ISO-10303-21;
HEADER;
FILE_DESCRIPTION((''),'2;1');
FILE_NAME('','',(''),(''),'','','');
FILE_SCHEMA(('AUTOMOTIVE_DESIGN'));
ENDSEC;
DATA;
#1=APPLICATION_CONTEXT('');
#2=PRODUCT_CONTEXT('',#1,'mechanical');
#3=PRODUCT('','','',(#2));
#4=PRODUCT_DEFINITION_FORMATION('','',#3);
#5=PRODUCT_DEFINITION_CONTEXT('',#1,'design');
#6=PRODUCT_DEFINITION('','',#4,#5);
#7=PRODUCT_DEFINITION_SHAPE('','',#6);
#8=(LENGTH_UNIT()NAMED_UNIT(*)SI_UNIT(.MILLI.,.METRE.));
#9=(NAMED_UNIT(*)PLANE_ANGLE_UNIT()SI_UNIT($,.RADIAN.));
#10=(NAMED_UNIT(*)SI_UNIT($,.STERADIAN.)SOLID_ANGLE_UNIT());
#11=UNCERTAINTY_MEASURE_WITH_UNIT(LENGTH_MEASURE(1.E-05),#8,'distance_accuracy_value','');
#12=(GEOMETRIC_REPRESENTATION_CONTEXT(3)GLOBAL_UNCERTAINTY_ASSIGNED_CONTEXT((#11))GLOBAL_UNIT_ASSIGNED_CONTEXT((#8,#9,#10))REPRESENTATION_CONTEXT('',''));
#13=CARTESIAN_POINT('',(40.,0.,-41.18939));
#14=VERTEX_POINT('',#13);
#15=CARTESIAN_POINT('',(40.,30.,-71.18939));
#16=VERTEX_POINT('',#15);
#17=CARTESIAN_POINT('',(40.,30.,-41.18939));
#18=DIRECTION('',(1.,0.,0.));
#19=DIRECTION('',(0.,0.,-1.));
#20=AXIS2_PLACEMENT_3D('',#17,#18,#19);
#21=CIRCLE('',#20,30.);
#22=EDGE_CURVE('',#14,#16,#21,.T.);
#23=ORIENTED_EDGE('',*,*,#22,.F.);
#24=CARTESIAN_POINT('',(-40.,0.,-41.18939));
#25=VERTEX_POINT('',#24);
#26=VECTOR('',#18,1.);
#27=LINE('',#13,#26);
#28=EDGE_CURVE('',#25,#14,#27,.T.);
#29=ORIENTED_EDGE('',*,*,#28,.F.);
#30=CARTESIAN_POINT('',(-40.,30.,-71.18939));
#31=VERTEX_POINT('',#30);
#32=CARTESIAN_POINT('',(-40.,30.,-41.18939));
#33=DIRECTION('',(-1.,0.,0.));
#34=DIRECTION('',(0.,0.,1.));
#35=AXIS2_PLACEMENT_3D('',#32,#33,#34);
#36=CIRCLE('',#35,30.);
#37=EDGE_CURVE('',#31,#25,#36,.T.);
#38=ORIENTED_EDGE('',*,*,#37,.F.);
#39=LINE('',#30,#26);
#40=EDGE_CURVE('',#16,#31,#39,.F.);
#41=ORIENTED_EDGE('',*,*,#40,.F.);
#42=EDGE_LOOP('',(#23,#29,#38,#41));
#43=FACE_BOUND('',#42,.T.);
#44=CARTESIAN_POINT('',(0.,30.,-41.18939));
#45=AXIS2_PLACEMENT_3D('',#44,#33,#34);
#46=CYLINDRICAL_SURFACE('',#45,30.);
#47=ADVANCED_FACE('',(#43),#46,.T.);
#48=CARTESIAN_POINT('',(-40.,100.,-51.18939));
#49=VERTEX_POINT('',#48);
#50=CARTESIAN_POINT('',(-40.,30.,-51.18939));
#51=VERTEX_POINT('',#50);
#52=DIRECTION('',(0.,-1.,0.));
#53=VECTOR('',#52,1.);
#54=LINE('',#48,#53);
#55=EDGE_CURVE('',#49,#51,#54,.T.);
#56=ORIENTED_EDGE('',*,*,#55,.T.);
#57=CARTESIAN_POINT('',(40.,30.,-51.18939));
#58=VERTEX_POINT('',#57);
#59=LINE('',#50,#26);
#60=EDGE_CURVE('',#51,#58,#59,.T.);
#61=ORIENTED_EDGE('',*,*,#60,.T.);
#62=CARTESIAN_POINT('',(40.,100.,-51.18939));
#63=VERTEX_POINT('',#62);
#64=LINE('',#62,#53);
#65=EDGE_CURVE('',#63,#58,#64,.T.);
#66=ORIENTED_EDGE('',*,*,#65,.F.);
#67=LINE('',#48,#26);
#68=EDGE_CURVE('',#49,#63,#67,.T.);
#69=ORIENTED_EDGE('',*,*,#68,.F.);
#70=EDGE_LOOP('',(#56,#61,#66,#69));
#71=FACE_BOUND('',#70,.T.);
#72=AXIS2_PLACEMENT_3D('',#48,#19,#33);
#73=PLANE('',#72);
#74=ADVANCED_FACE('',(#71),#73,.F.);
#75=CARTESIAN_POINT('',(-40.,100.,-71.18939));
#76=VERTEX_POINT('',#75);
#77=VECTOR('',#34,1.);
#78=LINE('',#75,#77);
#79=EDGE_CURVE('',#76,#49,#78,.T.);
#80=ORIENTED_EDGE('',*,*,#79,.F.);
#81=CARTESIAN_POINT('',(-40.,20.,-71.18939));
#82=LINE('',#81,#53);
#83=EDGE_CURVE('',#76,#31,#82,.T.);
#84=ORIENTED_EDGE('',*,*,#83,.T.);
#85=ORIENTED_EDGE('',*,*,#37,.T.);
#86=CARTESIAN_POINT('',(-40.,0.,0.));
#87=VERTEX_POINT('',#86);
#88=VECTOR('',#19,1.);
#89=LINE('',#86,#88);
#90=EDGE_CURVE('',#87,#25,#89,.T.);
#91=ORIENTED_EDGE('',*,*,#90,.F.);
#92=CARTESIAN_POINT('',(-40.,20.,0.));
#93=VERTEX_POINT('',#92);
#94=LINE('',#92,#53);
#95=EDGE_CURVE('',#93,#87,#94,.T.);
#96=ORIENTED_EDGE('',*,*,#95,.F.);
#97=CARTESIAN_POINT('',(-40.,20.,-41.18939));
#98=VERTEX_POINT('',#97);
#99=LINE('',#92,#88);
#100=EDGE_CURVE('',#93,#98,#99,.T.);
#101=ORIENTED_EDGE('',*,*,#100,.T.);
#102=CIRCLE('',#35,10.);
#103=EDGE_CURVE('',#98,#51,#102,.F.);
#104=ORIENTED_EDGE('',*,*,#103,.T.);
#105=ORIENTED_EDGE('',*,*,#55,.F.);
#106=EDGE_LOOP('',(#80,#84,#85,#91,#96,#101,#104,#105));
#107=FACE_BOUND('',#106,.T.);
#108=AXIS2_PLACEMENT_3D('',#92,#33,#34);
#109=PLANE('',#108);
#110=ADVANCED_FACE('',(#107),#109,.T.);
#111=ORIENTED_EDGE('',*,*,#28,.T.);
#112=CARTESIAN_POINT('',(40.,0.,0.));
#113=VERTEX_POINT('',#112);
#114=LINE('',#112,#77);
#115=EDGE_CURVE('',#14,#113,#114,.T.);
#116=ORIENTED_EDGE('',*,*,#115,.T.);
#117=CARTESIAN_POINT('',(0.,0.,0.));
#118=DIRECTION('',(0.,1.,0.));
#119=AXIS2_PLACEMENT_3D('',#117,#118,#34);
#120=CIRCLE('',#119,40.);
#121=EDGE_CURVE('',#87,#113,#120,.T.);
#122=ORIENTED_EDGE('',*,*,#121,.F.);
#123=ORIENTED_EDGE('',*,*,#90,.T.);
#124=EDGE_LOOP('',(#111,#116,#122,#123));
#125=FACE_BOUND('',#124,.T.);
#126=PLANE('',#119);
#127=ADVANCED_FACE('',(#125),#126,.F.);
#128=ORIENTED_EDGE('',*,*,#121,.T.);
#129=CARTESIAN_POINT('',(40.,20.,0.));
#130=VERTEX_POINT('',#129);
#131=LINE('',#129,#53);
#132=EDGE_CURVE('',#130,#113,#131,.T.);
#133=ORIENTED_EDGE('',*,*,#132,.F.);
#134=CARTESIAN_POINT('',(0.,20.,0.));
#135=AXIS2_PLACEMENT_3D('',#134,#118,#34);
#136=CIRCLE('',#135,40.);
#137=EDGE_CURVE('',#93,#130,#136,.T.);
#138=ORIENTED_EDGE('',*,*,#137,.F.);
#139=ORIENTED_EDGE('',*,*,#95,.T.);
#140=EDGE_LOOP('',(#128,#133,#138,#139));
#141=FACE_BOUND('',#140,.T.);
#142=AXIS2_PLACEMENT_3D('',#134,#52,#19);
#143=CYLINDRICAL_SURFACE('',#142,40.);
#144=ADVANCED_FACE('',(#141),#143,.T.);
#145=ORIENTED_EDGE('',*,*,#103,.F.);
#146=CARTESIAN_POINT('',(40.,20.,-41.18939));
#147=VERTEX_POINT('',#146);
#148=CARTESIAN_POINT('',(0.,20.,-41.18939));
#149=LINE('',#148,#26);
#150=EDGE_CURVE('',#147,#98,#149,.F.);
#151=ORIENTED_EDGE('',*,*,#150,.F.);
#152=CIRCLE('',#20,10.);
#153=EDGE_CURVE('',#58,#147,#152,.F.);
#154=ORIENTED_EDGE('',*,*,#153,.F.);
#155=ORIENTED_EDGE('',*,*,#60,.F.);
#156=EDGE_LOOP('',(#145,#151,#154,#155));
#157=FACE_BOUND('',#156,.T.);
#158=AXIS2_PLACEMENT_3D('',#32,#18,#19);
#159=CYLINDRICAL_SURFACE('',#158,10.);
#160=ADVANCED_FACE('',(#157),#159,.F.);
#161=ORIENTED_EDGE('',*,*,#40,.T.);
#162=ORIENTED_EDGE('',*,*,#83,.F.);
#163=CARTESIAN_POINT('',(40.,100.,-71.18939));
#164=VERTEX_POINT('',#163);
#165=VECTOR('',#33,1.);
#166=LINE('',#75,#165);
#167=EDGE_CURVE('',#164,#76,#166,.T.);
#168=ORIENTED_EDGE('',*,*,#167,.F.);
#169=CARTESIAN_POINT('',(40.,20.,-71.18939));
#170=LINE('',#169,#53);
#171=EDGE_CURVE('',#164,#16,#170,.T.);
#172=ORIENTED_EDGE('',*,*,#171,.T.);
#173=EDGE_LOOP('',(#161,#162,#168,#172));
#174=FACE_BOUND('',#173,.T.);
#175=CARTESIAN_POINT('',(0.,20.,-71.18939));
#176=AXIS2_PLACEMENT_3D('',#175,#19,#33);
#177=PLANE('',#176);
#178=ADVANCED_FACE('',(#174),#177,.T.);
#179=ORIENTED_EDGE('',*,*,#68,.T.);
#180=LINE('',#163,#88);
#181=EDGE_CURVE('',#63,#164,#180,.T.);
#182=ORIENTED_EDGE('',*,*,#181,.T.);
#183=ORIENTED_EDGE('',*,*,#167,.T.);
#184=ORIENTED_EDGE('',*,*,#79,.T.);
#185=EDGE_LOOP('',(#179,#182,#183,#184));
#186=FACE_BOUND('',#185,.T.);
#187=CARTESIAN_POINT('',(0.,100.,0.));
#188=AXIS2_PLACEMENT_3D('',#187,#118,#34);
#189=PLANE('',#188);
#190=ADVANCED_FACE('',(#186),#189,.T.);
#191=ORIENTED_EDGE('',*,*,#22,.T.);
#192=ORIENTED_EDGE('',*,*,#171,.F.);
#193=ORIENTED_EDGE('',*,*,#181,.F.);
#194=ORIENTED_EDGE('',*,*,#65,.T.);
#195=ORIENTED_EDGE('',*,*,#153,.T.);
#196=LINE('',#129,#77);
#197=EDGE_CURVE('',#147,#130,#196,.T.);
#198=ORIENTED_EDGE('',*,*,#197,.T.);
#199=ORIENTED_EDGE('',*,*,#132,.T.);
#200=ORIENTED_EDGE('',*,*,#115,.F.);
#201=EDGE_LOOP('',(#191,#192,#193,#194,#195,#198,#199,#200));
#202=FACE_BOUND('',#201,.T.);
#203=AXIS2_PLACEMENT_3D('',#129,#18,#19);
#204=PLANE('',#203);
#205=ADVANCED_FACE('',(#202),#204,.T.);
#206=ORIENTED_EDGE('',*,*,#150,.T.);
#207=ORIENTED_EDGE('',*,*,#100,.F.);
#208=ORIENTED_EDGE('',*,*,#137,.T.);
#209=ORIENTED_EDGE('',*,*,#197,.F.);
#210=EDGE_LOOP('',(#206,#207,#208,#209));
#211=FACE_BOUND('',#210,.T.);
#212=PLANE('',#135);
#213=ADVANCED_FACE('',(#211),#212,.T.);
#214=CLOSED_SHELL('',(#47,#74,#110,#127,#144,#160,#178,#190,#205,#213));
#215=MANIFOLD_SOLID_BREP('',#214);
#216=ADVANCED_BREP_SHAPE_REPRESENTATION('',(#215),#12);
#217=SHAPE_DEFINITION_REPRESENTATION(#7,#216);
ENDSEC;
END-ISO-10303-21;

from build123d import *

# Parameters (mm, degrees)
SKETCH_3_R      = 40
EXTRUDE_1_DEPTH = 20
SKETCH_4_W      = 80
SKETCH_4_H      = 20
EXTRUDE_2_DEPTH = 80
FILLET_2_R      = 10
FILLET_3_R      = 30


with BuildPart() as part:
    # 草图3 → 凸台-拉伸1 (new body)
    with BuildSketch(Plane(origin=(0, 0, 0), x_dir=(1, 0, 0), z_dir=(0, 1, 0))):
        with BuildLine():
            Line((-40, 71.189389762), (-40, 0))
            ThreePointArc((-40, 0), (0, 40), (40, 0))
            Line((40, 0), (40, 71.189389762))
            Line((40, 71.189389762), (-40, 71.189389762))
        make_face()
        Circle(SKETCH_3_R)
    extrude(amount=EXTRUDE_1_DEPTH)

    # 草图4 → 凸台-拉伸2 (add)
    with BuildSketch(Plane(origin=(0, 20, 0), x_dir=(1, 0, 0), z_dir=(0, 1, 0))):
        with Locations((0, 61.189389762)):
            Rectangle(SKETCH_4_W, SKETCH_4_H)
    extrude(amount=EXTRUDE_2_DEPTH)

    # 圆角2
    fillet_2_edges = [part.edges().sort_by_distance(p)[0] for p in [
        (0, 20, -51.189389762),
    ]]
    fillet(fillet_2_edges, radius=FILLET_2_R)

    # 圆角3
    fillet_3_edges = [part.edges().sort_by_distance(p)[0] for p in [
        (0, 0, -71.189389762),
    ]]
    fillet(fillet_3_edges, radius=FILLET_3_R)


solid = part.part
